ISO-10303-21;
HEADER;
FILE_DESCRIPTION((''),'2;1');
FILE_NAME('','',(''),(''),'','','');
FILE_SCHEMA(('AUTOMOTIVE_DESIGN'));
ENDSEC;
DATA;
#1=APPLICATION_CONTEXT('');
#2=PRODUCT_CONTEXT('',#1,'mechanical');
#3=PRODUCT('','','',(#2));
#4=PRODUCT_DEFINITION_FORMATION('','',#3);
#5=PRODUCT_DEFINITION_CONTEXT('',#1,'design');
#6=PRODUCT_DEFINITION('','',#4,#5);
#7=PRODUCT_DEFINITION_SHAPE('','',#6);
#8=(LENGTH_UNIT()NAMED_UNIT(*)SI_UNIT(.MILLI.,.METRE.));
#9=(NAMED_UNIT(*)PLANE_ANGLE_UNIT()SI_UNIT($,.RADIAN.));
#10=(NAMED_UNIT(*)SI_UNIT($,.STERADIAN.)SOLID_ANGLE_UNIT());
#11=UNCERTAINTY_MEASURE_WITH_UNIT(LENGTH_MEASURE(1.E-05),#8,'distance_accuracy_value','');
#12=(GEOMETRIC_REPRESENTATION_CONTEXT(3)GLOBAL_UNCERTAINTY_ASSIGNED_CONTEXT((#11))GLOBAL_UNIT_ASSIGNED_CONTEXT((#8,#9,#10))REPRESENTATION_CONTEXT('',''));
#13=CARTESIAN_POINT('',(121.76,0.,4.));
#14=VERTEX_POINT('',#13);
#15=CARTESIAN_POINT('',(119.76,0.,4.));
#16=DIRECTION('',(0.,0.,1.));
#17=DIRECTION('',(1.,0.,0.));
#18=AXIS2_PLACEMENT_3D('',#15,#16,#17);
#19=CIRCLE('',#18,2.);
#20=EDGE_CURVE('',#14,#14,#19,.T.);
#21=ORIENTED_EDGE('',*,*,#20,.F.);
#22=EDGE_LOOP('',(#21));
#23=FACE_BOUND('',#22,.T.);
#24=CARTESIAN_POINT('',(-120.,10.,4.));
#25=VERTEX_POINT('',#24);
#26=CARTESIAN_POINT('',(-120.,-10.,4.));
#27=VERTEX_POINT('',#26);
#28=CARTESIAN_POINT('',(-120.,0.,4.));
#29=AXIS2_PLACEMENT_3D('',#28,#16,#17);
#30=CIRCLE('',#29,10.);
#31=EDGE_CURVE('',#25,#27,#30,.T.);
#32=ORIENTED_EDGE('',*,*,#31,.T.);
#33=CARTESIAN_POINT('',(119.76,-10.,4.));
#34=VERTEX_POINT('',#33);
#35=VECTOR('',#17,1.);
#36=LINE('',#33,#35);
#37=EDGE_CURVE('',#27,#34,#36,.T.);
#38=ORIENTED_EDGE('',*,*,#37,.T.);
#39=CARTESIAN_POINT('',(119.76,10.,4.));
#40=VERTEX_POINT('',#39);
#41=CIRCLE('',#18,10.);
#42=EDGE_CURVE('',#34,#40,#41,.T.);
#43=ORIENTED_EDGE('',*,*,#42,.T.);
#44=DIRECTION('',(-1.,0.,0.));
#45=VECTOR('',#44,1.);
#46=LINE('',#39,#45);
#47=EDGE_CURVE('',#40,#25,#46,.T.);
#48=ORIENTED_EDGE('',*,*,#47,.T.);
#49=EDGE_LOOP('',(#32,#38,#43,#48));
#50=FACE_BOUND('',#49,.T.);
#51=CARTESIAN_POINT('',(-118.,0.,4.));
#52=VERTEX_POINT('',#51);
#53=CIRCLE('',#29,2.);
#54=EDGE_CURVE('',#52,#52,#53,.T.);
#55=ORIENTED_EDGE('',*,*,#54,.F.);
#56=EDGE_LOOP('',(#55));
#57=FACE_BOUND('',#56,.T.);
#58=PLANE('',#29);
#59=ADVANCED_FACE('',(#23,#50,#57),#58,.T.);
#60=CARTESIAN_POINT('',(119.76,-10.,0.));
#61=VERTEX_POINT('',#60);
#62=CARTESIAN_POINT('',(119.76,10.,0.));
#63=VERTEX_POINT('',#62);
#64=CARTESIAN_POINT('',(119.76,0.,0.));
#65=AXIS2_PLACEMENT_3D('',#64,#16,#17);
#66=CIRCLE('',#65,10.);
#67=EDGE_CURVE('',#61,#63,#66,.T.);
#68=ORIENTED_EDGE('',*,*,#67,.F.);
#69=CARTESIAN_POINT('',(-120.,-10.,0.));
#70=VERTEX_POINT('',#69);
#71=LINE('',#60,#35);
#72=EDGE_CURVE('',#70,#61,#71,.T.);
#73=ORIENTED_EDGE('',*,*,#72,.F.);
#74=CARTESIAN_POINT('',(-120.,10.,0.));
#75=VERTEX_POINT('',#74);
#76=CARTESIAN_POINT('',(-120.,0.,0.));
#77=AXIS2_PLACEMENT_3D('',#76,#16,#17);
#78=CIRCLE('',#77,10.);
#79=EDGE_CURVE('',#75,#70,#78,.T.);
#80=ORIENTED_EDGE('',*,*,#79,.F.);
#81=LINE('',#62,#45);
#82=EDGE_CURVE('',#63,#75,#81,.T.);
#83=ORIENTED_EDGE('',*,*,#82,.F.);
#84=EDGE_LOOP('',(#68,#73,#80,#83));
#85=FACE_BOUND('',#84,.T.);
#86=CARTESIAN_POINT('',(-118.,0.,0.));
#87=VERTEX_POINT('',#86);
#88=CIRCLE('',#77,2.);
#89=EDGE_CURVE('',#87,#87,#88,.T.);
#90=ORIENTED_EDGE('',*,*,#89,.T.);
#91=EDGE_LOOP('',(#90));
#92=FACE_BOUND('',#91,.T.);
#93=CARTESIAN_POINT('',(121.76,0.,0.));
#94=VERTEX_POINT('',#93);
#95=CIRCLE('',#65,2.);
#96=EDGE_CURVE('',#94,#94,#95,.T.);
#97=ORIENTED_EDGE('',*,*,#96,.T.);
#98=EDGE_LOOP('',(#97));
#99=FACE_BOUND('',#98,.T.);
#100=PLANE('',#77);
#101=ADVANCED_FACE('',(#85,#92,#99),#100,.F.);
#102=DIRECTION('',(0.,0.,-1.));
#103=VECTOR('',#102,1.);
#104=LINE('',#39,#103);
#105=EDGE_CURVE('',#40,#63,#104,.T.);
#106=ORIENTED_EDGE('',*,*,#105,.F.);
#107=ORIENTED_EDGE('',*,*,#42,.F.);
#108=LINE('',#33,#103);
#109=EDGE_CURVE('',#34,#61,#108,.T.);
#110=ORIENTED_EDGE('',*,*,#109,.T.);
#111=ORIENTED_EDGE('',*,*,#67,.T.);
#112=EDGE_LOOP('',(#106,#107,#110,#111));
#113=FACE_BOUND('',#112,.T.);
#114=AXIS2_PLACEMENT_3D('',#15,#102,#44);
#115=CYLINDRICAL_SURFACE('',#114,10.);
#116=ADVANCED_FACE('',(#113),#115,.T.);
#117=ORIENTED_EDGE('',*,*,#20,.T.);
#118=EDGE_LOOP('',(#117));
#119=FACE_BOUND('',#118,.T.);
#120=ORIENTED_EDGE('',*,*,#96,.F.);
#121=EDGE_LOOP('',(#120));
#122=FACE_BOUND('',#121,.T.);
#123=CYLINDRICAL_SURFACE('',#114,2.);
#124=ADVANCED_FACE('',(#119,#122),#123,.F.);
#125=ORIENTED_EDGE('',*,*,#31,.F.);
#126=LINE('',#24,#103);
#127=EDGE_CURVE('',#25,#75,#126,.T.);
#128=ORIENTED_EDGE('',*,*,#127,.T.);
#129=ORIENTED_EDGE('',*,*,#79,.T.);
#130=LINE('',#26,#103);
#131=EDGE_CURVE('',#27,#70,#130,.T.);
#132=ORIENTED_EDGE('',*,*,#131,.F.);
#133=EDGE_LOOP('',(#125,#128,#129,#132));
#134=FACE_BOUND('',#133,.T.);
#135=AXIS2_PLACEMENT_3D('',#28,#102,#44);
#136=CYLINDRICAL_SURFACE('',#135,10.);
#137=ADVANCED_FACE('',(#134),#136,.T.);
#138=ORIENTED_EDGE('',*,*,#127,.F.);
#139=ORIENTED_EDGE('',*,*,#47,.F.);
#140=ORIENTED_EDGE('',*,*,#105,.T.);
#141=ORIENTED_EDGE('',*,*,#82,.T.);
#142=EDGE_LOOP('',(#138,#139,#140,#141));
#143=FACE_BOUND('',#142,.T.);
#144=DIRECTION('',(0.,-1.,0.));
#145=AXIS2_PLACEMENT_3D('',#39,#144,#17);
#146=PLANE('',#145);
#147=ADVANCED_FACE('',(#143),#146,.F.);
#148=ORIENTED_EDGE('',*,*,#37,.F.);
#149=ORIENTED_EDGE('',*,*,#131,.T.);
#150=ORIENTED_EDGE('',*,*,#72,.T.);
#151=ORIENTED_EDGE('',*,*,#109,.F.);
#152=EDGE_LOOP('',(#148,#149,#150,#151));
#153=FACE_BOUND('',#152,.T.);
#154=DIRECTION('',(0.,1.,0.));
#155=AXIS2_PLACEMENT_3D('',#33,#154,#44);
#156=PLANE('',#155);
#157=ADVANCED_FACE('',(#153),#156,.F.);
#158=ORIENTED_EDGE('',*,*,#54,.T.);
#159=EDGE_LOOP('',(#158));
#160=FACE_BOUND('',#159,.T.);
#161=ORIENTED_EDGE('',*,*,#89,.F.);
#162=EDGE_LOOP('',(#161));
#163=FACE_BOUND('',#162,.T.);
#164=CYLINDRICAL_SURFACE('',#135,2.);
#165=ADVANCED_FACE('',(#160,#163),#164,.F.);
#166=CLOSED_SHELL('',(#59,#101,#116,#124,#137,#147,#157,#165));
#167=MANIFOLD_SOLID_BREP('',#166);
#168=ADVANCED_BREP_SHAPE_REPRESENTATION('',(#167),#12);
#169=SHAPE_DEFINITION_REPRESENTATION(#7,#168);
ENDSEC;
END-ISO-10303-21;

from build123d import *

# Parameters (mm, degrees)
SKETCH_1_R      = 2
EXTRUDE_1_DEPTH = 4


with BuildPart() as part:
    # 草图1 → 凸台-拉伸1 (new body)
    with BuildSketch(Plane.XY):
        with BuildLine():
            Line((119.76, -10), (-120, -10))
            ThreePointArc((-120, -10), (-130, 0), (-120, 10))
            Line((-120, 10), (119.76, 10))
            ThreePointArc((119.76, 10), (129.76, 0), (119.76, -10))
        make_face()
        with Locations((-120, 0)):
            Circle(SKETCH_1_R, mode=Mode.SUBTRACT)
        with Locations((119.76, 0)):
            Circle(SKETCH_1_R, mode=Mode.SUBTRACT)
    extrude(amount=EXTRUDE_1_DEPTH)


solid = part.part
